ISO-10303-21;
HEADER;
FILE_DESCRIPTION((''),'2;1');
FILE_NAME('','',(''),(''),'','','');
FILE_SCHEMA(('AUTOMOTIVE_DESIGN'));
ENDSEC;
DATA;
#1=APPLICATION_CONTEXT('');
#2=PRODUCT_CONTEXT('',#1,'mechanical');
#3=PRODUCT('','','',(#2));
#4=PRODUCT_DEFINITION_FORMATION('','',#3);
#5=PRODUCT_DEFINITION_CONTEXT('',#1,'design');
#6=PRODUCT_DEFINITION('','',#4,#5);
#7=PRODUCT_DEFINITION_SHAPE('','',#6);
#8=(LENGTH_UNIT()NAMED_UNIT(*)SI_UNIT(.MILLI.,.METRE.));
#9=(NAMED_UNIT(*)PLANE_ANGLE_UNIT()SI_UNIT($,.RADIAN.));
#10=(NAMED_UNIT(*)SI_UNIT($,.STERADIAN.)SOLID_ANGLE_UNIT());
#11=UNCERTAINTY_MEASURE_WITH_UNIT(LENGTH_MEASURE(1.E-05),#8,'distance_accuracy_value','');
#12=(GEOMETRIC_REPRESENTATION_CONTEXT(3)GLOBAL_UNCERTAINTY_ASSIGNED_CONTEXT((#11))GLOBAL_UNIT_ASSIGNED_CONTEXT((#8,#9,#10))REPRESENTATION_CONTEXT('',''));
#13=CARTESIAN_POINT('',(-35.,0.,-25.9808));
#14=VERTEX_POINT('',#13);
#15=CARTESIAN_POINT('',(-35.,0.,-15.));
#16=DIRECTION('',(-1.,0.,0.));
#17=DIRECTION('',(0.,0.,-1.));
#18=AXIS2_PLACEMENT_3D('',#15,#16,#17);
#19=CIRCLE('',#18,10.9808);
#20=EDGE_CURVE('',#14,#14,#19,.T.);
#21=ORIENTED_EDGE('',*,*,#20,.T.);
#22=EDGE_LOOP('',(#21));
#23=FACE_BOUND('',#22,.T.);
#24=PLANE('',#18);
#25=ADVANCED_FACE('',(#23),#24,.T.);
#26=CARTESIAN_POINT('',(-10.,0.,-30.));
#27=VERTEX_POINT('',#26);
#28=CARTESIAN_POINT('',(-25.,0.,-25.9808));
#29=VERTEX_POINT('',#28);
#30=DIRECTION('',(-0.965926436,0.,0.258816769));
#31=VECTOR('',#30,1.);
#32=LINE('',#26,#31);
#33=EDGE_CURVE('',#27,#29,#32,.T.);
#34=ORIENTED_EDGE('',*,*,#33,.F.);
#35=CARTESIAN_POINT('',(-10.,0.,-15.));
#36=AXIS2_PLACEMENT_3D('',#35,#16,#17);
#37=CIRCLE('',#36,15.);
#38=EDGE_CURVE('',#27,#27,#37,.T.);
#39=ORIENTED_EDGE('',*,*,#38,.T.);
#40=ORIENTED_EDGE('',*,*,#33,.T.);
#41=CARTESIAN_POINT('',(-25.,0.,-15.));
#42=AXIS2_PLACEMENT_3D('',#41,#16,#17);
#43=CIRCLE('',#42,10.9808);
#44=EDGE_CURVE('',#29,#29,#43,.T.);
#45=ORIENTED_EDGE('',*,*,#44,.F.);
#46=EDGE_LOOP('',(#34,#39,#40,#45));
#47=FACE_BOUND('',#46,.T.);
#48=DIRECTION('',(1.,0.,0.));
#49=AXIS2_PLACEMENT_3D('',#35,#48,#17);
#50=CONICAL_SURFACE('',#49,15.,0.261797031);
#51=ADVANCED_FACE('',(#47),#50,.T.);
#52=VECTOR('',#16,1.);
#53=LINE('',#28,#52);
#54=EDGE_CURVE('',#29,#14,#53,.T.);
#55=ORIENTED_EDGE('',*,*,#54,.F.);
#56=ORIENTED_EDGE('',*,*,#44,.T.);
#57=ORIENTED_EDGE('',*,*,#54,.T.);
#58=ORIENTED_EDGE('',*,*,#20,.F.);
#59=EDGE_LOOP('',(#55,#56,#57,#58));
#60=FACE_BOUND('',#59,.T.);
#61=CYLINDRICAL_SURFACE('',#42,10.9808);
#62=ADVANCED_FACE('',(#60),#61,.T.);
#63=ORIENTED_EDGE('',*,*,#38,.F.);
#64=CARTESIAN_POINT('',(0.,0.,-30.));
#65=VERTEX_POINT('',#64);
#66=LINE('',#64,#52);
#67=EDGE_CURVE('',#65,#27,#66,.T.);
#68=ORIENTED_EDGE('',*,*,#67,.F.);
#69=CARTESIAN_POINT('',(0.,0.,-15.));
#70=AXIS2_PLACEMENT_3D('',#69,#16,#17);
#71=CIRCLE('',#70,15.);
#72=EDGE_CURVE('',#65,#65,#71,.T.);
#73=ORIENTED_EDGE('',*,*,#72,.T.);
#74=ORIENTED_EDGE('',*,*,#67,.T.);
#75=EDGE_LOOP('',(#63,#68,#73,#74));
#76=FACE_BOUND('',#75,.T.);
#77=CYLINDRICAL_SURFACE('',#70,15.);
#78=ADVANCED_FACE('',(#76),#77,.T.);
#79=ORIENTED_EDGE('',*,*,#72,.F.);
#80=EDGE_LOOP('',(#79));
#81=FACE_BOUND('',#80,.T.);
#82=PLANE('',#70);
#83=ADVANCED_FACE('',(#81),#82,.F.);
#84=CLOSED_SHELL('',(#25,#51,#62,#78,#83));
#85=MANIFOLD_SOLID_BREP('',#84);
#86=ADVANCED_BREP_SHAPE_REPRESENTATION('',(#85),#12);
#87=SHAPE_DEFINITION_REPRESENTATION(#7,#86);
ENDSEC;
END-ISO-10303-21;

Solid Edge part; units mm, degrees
sketch "Sketch1" plane through (0, 0, 0) normal (0, -1, 0) x (1, 0, 0)
  line L0 (0, -15) -> (-35, -15)
  line L1 (-35, -25.9808) -> (-35, -15)
  line L2 (-25, -25.9808) -> (-35, -25.9808)
  line L3 (-10, -30) -> (-25, -25.9808)
  line L4 (0, -30) -> (-10, -30)
  line L5 (0, -15) -> (0, -30)
revolve "RevolvedProtrusion1" add sketch "Sketch1" angle 360 about axis through (0, 0, -15) along (-1, 0, 0)
